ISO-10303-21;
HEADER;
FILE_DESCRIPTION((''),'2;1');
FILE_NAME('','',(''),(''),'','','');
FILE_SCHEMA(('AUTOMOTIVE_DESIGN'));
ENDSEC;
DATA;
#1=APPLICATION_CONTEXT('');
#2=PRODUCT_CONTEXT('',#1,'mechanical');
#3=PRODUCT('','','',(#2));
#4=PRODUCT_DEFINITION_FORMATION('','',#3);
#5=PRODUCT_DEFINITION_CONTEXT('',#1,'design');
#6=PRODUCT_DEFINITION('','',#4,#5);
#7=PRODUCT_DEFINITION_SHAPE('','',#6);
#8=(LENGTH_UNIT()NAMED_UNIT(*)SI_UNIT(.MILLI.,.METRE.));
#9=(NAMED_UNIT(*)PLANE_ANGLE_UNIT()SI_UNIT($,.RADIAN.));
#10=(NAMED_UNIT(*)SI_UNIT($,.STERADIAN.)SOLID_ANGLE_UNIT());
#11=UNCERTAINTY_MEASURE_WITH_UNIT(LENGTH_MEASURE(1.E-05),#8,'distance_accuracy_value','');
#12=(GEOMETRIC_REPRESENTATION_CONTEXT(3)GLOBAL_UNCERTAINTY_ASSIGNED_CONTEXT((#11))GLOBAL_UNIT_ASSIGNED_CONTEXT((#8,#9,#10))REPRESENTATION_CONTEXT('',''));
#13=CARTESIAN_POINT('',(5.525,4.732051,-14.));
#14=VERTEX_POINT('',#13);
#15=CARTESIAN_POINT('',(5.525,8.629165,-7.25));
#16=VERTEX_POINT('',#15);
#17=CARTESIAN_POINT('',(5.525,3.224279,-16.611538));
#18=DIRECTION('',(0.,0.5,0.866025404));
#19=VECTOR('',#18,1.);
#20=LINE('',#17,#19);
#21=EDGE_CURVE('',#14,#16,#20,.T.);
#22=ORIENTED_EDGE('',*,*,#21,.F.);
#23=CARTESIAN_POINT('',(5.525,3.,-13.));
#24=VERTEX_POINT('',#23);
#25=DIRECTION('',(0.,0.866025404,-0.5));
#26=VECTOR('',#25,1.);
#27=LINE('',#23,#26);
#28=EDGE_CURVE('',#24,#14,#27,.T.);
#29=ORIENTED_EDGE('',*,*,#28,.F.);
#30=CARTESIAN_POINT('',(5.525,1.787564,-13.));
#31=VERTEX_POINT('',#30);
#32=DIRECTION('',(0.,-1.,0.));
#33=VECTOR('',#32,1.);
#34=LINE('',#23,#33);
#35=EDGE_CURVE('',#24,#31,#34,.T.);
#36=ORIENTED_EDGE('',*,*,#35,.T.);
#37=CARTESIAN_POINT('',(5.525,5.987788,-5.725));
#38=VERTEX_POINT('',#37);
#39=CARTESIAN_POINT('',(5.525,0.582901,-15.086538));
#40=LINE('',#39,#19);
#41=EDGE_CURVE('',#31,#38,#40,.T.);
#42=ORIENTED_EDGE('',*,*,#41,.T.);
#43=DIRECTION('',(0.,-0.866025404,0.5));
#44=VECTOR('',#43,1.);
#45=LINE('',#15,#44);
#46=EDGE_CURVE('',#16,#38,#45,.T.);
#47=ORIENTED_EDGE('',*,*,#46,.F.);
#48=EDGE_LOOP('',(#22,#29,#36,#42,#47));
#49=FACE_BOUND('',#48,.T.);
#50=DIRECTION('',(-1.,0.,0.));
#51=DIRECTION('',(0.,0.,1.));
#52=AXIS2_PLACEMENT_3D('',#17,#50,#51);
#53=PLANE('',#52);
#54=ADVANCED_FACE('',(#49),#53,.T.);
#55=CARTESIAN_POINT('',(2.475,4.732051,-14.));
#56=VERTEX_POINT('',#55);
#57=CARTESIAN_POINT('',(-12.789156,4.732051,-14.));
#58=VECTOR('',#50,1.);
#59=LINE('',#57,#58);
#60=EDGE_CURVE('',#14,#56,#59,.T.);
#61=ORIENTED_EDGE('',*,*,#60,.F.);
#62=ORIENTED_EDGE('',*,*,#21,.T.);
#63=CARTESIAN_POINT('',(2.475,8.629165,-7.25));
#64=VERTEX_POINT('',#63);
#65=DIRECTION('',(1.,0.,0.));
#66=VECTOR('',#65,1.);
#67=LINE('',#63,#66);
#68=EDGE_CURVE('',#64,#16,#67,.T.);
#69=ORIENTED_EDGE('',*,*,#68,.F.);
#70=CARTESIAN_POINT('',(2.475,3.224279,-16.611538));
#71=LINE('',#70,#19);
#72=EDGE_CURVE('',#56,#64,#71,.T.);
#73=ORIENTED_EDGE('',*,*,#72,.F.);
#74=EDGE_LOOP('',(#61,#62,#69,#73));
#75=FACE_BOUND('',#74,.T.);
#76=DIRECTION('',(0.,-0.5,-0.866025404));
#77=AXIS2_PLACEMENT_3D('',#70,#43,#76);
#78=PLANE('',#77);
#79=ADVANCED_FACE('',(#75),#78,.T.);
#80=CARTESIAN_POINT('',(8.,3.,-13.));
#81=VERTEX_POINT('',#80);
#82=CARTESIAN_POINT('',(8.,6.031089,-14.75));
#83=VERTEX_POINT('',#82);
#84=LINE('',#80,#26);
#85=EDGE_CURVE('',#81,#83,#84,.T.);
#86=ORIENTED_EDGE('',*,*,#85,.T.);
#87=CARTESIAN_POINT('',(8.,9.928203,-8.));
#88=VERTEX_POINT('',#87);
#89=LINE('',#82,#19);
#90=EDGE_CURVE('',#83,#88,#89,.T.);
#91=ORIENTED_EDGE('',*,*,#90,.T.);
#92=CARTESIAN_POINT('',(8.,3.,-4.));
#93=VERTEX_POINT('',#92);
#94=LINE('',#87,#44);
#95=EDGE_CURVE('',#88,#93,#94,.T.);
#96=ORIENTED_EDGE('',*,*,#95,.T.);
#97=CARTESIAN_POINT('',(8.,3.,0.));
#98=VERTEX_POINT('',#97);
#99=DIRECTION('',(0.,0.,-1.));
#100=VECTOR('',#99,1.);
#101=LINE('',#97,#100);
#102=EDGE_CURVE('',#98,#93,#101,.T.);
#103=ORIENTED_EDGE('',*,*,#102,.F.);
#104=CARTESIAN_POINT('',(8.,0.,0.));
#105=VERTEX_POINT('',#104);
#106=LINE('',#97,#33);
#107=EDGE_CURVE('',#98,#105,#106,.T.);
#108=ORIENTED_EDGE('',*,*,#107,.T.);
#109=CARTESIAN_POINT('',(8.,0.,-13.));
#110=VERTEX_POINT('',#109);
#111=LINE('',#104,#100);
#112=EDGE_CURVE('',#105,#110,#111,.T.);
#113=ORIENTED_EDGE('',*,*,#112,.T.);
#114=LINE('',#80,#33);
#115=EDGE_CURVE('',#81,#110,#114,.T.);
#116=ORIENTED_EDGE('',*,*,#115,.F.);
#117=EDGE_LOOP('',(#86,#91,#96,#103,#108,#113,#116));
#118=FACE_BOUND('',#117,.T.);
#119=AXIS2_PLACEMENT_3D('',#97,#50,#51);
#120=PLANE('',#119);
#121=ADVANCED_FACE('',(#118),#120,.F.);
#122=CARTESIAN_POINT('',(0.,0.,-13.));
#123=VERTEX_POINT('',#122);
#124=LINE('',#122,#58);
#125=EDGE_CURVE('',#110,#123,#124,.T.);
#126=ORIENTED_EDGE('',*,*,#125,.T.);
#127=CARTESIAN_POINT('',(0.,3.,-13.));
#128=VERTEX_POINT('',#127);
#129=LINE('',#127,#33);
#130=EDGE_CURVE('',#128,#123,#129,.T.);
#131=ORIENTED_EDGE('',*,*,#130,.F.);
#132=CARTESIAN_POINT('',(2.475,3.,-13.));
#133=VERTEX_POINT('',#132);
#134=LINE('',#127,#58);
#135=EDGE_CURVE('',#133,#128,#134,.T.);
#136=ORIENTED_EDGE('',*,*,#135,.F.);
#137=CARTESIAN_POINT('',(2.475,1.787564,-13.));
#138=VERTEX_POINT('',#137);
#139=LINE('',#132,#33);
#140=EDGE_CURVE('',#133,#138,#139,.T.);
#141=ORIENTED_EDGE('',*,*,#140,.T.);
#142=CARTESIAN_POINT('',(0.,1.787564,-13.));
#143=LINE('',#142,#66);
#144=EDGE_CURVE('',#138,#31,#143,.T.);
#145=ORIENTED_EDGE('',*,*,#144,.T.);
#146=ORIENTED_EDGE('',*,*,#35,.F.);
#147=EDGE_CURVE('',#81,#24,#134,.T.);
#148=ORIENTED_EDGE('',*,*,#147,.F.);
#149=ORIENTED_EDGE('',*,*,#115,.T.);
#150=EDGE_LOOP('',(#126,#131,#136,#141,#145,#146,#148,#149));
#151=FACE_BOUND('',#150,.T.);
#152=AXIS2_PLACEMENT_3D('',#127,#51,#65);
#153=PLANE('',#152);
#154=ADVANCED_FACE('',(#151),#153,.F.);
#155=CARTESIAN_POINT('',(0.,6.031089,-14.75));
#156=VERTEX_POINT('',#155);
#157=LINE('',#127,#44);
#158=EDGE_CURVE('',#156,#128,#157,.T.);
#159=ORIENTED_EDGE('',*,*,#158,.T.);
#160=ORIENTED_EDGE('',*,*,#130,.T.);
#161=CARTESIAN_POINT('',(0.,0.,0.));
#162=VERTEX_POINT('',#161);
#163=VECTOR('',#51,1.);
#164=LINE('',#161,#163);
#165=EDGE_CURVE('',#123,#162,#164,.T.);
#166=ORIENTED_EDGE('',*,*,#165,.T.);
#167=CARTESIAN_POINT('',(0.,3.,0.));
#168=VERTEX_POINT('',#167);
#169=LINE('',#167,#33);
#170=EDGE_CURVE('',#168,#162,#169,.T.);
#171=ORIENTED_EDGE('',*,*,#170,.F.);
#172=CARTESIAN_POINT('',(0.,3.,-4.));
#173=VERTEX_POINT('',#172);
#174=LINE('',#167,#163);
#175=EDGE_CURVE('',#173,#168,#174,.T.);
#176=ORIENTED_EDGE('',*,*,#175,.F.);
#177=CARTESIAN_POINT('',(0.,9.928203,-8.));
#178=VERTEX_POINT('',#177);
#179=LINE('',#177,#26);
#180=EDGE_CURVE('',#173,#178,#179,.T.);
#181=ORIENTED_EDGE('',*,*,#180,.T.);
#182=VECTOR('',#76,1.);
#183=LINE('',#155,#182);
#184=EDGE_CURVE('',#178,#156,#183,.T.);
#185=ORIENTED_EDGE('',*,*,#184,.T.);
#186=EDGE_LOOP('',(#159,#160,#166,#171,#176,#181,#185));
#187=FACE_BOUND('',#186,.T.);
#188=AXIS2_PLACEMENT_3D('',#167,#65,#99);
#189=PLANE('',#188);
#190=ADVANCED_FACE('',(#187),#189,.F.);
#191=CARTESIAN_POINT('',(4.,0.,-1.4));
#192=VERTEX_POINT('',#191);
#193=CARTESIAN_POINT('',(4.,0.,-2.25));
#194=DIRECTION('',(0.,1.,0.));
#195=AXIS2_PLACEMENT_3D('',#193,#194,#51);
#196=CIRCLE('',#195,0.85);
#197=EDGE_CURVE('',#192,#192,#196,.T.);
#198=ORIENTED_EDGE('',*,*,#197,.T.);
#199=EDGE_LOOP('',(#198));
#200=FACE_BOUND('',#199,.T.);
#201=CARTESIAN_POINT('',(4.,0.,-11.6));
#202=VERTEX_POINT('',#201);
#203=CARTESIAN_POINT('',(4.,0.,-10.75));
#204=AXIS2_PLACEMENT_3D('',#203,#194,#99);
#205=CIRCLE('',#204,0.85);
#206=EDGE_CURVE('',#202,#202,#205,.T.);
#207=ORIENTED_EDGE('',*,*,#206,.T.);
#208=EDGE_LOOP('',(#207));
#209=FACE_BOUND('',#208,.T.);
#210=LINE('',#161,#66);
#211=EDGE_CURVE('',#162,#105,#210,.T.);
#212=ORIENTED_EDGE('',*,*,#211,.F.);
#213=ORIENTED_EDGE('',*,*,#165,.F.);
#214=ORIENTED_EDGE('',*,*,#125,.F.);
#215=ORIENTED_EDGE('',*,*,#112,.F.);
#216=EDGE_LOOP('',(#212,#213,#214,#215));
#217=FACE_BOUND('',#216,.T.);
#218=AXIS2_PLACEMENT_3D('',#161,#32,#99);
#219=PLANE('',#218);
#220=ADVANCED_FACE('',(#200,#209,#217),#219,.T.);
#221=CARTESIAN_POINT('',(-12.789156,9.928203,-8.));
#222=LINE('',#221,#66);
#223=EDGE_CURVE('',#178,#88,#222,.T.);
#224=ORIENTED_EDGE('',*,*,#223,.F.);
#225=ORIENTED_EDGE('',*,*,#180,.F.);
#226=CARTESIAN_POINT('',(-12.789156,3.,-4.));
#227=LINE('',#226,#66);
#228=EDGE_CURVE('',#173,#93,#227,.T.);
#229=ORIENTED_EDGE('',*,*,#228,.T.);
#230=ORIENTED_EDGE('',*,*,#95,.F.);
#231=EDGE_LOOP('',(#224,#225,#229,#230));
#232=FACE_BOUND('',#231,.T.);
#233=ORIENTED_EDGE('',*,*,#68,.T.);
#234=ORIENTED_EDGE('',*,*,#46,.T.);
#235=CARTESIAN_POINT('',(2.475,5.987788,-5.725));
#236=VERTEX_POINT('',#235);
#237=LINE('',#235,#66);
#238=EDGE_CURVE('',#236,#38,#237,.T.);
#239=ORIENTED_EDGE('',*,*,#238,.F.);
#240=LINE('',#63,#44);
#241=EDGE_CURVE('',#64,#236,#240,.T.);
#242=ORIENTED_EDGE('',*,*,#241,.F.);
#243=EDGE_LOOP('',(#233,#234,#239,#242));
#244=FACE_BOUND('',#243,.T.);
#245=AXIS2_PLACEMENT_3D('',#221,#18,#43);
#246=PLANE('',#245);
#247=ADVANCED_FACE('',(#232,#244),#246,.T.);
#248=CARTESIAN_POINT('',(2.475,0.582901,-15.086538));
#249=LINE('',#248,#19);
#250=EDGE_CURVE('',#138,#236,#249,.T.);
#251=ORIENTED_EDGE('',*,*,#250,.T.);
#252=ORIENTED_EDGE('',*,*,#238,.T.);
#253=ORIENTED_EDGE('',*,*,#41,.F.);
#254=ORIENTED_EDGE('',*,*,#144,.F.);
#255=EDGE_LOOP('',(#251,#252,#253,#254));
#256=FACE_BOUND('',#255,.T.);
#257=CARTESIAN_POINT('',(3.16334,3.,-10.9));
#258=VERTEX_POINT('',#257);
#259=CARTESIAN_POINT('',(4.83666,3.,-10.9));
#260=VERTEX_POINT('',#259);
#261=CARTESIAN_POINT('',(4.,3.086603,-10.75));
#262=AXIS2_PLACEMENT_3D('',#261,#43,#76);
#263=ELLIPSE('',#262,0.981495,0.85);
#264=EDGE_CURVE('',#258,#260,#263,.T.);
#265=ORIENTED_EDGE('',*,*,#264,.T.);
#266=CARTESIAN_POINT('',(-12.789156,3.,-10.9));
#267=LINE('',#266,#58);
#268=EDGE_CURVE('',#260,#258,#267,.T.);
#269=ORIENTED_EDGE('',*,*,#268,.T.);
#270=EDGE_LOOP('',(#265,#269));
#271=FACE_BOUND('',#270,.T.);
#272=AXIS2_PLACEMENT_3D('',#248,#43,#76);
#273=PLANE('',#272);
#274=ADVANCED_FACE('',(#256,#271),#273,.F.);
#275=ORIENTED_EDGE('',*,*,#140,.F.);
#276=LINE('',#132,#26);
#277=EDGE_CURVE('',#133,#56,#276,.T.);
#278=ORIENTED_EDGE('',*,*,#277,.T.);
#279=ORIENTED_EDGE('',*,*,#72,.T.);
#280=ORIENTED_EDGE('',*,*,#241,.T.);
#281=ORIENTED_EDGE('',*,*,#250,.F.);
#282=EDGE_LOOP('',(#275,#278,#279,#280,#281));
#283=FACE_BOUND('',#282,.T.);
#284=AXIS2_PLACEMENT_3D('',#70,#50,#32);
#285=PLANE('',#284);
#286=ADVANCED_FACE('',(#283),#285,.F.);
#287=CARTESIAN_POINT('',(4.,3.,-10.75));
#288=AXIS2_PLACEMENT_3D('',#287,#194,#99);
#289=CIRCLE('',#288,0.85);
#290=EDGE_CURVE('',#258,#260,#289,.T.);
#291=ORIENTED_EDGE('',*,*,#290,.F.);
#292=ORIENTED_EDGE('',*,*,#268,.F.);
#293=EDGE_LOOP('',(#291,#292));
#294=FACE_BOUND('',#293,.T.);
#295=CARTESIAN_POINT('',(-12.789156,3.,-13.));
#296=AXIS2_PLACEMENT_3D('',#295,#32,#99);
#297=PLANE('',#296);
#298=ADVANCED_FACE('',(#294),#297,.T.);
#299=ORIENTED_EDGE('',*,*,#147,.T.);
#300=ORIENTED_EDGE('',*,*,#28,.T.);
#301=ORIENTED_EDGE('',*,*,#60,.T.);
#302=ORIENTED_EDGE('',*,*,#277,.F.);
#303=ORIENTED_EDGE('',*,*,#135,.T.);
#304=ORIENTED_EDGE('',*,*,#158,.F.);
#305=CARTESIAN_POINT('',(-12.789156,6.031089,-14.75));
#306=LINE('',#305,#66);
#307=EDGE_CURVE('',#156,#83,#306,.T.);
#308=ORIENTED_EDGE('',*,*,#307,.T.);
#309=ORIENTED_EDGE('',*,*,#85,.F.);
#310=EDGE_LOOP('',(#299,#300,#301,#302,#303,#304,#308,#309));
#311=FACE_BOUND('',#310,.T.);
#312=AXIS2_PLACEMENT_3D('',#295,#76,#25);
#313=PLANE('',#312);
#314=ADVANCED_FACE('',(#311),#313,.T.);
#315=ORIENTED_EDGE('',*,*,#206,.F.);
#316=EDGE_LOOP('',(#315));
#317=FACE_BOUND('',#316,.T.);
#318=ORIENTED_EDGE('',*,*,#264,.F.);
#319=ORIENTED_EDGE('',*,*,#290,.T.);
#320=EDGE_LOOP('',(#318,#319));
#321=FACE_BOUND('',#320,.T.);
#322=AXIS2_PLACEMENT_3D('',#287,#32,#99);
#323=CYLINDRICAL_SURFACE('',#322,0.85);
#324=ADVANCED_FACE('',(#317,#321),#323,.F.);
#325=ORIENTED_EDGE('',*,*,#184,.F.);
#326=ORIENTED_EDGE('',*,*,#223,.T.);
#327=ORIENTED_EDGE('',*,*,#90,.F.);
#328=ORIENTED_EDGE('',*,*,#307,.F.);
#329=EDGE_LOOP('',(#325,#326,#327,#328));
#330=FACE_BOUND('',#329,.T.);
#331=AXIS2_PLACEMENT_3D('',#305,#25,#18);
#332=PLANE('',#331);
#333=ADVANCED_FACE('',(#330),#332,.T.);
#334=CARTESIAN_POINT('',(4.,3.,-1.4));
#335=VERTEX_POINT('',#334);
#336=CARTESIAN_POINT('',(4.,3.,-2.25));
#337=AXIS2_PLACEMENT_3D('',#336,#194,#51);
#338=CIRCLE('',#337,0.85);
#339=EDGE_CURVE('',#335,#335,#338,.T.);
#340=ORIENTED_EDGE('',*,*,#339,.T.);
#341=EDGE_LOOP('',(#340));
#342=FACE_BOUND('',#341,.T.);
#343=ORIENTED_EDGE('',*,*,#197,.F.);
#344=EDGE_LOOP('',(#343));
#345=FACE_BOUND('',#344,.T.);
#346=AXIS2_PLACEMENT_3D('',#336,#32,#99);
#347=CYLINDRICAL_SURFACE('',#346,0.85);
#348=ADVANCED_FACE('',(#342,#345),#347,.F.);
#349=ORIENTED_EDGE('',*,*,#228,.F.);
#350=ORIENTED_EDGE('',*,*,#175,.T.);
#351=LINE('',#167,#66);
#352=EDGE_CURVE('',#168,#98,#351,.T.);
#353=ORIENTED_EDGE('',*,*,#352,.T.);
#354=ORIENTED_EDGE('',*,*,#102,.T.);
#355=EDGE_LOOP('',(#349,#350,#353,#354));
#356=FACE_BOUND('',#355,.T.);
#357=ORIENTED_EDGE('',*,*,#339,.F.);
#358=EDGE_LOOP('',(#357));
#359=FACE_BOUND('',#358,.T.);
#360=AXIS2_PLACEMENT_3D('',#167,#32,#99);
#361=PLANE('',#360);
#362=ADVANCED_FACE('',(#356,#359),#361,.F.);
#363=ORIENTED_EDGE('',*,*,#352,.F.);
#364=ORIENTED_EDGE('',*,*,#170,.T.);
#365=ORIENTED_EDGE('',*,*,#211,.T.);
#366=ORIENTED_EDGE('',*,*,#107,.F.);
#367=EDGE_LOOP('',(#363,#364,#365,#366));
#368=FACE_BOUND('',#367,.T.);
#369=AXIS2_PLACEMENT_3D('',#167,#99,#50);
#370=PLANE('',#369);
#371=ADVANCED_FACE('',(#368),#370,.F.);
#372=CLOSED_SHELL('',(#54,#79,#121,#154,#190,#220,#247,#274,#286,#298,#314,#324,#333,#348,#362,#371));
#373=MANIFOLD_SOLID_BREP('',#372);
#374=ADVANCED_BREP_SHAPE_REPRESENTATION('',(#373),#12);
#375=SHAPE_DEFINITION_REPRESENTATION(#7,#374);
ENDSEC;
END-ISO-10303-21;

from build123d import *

# Parameters (mm, degrees)
SKETCH_6_W          = 8
SKETCH_6_H          = 13
SKETCH_6_R          = 0.85
EXTRUDE_1_DEPTH     = 3
EXTRUDE_2_DEPTH     = 8
SKETCH_9_W          = 3.05
SKETCH_9_H          = 3.05
CUT_EXTRUDE_3_DEPTH = 19.796569864


with BuildPart() as part:
    # 草图6 → 凸台-拉伸1 (new body)
    with BuildSketch(Plane(origin=(0, 0, 0), x_dir=(1, 0, 0), z_dir=(0, 1, 0))):
        with Locations((4, 6.5)):
            Rectangle(SKETCH_6_W, SKETCH_6_H)
        with Locations(Location((4, 2.25, 0), (0, 0, 270))):
            Circle(SKETCH_6_R, mode=Mode.SUBTRACT)
        with Locations(Location((4, 10.75, 0), (0, 0, 90))):
            Circle(SKETCH_6_R, mode=Mode.SUBTRACT)
    extrude(amount=EXTRUDE_1_DEPTH)

    # 草图8 → 凸台-拉伸2 (add)
    with BuildSketch(Plane(origin=(8, 0, 0), x_dir=(0, 0, -1), z_dir=(1, 0, 0))):
        Polygon((13, 3), (14.75, 6.031088913), (8, 9.92820323), (4, 3), align=None)
    extrude(amount=-EXTRUDE_2_DEPTH)

    # 草图9 → 切除-拉伸3 (cut, through all)
    with BuildSketch(Plane(origin=(0, -0.982050808, -1.700961894), x_dir=(1, 0, 0), z_dir=(0, 0.500000000000004, 0.8660254037844364))):
        with Locations((4, 9.573076211)):
            Rectangle(SKETCH_9_W, SKETCH_9_H)
    extrude(amount=-CUT_EXTRUDE_3_DEPTH, mode=Mode.SUBTRACT)


solid = part.part
